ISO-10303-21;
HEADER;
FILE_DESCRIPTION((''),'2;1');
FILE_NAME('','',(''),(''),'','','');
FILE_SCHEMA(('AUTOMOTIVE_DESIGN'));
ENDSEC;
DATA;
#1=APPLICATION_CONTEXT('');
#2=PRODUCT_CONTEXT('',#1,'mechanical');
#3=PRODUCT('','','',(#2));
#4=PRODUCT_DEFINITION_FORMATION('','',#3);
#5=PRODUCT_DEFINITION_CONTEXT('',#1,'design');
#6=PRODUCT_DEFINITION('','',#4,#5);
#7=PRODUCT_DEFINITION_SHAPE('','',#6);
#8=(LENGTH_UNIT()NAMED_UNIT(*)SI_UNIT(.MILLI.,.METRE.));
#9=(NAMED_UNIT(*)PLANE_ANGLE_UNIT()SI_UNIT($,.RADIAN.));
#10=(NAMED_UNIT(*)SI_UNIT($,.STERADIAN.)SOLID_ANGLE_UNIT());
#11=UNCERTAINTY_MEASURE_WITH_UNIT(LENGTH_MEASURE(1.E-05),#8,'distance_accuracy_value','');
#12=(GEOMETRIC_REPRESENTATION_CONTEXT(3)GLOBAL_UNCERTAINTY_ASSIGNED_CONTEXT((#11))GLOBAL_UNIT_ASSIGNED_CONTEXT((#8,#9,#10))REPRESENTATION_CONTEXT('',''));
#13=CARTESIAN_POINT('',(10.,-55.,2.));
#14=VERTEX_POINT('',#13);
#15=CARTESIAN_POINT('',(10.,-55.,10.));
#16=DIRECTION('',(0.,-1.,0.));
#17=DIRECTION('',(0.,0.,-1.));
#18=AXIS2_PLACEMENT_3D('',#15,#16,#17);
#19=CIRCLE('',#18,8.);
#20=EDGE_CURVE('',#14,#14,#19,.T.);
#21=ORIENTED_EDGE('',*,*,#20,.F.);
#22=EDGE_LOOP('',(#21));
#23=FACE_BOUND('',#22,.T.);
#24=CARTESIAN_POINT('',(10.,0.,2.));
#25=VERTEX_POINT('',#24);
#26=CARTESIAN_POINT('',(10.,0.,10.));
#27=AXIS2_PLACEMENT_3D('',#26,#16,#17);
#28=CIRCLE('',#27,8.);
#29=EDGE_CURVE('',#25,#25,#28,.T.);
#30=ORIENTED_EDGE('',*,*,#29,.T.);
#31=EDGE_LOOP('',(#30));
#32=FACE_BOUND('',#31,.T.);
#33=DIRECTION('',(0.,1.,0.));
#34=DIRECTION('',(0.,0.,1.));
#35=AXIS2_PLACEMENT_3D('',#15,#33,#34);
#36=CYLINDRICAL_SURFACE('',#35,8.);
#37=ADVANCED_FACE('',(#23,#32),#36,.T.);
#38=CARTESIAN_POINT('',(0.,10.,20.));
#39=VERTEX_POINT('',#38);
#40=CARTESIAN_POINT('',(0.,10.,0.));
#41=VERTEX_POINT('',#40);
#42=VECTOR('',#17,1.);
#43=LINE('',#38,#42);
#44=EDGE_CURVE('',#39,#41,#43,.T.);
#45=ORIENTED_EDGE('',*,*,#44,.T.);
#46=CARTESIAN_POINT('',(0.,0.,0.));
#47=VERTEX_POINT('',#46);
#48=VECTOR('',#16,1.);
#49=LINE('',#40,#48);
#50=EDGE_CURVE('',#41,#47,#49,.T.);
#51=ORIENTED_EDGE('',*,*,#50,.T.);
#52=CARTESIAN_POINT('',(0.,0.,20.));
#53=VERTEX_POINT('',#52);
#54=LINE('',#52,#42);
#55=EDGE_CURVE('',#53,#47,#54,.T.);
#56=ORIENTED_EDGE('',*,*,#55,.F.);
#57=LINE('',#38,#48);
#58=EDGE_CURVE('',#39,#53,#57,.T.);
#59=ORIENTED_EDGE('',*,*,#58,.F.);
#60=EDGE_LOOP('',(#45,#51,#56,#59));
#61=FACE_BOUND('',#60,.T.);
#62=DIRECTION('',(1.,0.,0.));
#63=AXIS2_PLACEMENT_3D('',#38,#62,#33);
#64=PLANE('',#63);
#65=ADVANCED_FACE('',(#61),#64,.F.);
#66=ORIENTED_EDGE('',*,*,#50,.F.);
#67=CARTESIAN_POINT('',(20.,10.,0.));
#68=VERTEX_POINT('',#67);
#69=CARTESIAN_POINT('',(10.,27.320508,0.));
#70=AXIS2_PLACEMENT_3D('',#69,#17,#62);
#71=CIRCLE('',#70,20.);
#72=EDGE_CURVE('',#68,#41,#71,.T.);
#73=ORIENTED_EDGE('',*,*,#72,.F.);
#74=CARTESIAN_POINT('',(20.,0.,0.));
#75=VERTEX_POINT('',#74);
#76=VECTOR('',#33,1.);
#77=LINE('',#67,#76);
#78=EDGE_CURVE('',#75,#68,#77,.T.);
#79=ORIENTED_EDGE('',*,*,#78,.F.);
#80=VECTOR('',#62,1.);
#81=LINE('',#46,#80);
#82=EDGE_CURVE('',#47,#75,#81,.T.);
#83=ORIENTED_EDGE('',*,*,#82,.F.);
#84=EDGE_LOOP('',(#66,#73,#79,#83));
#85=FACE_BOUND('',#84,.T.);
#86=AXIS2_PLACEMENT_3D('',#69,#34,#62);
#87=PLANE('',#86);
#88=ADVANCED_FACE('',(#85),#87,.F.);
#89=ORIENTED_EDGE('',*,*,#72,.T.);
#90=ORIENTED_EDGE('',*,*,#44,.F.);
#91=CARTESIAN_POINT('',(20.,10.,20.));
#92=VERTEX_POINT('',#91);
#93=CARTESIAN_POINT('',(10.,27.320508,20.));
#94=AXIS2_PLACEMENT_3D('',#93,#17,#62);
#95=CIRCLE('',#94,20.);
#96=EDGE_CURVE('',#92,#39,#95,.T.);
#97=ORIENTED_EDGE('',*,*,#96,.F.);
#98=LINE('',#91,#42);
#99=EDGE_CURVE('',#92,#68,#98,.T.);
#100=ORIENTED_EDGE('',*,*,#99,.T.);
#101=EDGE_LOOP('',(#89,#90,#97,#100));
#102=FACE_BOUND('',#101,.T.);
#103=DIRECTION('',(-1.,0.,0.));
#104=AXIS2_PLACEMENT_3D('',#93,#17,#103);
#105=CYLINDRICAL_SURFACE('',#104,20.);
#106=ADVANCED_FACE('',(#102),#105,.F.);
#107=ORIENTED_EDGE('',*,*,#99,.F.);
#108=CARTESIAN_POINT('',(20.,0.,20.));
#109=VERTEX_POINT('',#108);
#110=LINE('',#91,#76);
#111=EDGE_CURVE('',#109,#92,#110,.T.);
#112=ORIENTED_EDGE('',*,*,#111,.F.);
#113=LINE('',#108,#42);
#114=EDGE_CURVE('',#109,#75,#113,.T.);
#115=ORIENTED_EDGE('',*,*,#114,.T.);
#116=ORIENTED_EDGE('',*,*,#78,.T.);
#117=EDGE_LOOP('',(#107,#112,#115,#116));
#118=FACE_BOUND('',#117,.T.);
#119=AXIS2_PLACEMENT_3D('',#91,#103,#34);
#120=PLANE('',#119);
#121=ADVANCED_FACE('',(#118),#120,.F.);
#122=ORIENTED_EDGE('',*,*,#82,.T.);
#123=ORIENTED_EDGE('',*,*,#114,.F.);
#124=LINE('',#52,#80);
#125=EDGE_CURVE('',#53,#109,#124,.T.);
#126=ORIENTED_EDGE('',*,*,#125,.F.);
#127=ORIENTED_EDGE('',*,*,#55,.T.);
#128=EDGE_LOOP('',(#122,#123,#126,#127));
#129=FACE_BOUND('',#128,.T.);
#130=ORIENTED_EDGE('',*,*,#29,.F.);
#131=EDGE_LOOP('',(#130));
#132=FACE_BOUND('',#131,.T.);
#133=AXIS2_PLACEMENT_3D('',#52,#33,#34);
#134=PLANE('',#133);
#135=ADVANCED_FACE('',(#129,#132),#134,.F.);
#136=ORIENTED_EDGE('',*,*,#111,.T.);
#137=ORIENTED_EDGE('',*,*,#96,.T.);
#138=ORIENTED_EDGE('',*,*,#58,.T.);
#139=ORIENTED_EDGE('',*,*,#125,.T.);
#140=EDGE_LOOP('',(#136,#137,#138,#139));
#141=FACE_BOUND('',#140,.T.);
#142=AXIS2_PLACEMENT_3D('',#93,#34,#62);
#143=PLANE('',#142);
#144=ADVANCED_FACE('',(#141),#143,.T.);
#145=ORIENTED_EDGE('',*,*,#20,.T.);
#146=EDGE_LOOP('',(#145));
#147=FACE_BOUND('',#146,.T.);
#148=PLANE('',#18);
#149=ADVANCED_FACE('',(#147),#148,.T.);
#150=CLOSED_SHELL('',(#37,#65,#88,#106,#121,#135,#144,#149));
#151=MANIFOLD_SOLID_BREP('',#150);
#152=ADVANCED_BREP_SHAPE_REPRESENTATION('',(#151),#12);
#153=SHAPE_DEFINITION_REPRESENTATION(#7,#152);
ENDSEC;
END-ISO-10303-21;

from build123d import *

# Parameters (mm, degrees)
BOSS_EXTRUDE1_DEPTH = 20
SKETCH2_R           = 8
BOSS_EXTRUDE2_DEPTH = 55


with BuildPart() as part:
    # Sketch1 → Boss-Extrude1 (new body)
    with BuildSketch(Plane.XY):
        with BuildLine():
            Line((0, 10), (0, 0))
            Line((0, 0), (20, 0))
            Line((20, 0), (20, 10))
            ThreePointArc((20, 10), (10, 7.320508076), (0, 10))
        make_face()
    extrude(amount=BOSS_EXTRUDE1_DEPTH)

    # Sketch2 → Boss-Extrude2 (add)
    with BuildSketch(Plane.XZ):
        with Locations((10, 10)):
            Circle(SKETCH2_R)
    extrude(amount=BOSS_EXTRUDE2_DEPTH)


solid = part.part
